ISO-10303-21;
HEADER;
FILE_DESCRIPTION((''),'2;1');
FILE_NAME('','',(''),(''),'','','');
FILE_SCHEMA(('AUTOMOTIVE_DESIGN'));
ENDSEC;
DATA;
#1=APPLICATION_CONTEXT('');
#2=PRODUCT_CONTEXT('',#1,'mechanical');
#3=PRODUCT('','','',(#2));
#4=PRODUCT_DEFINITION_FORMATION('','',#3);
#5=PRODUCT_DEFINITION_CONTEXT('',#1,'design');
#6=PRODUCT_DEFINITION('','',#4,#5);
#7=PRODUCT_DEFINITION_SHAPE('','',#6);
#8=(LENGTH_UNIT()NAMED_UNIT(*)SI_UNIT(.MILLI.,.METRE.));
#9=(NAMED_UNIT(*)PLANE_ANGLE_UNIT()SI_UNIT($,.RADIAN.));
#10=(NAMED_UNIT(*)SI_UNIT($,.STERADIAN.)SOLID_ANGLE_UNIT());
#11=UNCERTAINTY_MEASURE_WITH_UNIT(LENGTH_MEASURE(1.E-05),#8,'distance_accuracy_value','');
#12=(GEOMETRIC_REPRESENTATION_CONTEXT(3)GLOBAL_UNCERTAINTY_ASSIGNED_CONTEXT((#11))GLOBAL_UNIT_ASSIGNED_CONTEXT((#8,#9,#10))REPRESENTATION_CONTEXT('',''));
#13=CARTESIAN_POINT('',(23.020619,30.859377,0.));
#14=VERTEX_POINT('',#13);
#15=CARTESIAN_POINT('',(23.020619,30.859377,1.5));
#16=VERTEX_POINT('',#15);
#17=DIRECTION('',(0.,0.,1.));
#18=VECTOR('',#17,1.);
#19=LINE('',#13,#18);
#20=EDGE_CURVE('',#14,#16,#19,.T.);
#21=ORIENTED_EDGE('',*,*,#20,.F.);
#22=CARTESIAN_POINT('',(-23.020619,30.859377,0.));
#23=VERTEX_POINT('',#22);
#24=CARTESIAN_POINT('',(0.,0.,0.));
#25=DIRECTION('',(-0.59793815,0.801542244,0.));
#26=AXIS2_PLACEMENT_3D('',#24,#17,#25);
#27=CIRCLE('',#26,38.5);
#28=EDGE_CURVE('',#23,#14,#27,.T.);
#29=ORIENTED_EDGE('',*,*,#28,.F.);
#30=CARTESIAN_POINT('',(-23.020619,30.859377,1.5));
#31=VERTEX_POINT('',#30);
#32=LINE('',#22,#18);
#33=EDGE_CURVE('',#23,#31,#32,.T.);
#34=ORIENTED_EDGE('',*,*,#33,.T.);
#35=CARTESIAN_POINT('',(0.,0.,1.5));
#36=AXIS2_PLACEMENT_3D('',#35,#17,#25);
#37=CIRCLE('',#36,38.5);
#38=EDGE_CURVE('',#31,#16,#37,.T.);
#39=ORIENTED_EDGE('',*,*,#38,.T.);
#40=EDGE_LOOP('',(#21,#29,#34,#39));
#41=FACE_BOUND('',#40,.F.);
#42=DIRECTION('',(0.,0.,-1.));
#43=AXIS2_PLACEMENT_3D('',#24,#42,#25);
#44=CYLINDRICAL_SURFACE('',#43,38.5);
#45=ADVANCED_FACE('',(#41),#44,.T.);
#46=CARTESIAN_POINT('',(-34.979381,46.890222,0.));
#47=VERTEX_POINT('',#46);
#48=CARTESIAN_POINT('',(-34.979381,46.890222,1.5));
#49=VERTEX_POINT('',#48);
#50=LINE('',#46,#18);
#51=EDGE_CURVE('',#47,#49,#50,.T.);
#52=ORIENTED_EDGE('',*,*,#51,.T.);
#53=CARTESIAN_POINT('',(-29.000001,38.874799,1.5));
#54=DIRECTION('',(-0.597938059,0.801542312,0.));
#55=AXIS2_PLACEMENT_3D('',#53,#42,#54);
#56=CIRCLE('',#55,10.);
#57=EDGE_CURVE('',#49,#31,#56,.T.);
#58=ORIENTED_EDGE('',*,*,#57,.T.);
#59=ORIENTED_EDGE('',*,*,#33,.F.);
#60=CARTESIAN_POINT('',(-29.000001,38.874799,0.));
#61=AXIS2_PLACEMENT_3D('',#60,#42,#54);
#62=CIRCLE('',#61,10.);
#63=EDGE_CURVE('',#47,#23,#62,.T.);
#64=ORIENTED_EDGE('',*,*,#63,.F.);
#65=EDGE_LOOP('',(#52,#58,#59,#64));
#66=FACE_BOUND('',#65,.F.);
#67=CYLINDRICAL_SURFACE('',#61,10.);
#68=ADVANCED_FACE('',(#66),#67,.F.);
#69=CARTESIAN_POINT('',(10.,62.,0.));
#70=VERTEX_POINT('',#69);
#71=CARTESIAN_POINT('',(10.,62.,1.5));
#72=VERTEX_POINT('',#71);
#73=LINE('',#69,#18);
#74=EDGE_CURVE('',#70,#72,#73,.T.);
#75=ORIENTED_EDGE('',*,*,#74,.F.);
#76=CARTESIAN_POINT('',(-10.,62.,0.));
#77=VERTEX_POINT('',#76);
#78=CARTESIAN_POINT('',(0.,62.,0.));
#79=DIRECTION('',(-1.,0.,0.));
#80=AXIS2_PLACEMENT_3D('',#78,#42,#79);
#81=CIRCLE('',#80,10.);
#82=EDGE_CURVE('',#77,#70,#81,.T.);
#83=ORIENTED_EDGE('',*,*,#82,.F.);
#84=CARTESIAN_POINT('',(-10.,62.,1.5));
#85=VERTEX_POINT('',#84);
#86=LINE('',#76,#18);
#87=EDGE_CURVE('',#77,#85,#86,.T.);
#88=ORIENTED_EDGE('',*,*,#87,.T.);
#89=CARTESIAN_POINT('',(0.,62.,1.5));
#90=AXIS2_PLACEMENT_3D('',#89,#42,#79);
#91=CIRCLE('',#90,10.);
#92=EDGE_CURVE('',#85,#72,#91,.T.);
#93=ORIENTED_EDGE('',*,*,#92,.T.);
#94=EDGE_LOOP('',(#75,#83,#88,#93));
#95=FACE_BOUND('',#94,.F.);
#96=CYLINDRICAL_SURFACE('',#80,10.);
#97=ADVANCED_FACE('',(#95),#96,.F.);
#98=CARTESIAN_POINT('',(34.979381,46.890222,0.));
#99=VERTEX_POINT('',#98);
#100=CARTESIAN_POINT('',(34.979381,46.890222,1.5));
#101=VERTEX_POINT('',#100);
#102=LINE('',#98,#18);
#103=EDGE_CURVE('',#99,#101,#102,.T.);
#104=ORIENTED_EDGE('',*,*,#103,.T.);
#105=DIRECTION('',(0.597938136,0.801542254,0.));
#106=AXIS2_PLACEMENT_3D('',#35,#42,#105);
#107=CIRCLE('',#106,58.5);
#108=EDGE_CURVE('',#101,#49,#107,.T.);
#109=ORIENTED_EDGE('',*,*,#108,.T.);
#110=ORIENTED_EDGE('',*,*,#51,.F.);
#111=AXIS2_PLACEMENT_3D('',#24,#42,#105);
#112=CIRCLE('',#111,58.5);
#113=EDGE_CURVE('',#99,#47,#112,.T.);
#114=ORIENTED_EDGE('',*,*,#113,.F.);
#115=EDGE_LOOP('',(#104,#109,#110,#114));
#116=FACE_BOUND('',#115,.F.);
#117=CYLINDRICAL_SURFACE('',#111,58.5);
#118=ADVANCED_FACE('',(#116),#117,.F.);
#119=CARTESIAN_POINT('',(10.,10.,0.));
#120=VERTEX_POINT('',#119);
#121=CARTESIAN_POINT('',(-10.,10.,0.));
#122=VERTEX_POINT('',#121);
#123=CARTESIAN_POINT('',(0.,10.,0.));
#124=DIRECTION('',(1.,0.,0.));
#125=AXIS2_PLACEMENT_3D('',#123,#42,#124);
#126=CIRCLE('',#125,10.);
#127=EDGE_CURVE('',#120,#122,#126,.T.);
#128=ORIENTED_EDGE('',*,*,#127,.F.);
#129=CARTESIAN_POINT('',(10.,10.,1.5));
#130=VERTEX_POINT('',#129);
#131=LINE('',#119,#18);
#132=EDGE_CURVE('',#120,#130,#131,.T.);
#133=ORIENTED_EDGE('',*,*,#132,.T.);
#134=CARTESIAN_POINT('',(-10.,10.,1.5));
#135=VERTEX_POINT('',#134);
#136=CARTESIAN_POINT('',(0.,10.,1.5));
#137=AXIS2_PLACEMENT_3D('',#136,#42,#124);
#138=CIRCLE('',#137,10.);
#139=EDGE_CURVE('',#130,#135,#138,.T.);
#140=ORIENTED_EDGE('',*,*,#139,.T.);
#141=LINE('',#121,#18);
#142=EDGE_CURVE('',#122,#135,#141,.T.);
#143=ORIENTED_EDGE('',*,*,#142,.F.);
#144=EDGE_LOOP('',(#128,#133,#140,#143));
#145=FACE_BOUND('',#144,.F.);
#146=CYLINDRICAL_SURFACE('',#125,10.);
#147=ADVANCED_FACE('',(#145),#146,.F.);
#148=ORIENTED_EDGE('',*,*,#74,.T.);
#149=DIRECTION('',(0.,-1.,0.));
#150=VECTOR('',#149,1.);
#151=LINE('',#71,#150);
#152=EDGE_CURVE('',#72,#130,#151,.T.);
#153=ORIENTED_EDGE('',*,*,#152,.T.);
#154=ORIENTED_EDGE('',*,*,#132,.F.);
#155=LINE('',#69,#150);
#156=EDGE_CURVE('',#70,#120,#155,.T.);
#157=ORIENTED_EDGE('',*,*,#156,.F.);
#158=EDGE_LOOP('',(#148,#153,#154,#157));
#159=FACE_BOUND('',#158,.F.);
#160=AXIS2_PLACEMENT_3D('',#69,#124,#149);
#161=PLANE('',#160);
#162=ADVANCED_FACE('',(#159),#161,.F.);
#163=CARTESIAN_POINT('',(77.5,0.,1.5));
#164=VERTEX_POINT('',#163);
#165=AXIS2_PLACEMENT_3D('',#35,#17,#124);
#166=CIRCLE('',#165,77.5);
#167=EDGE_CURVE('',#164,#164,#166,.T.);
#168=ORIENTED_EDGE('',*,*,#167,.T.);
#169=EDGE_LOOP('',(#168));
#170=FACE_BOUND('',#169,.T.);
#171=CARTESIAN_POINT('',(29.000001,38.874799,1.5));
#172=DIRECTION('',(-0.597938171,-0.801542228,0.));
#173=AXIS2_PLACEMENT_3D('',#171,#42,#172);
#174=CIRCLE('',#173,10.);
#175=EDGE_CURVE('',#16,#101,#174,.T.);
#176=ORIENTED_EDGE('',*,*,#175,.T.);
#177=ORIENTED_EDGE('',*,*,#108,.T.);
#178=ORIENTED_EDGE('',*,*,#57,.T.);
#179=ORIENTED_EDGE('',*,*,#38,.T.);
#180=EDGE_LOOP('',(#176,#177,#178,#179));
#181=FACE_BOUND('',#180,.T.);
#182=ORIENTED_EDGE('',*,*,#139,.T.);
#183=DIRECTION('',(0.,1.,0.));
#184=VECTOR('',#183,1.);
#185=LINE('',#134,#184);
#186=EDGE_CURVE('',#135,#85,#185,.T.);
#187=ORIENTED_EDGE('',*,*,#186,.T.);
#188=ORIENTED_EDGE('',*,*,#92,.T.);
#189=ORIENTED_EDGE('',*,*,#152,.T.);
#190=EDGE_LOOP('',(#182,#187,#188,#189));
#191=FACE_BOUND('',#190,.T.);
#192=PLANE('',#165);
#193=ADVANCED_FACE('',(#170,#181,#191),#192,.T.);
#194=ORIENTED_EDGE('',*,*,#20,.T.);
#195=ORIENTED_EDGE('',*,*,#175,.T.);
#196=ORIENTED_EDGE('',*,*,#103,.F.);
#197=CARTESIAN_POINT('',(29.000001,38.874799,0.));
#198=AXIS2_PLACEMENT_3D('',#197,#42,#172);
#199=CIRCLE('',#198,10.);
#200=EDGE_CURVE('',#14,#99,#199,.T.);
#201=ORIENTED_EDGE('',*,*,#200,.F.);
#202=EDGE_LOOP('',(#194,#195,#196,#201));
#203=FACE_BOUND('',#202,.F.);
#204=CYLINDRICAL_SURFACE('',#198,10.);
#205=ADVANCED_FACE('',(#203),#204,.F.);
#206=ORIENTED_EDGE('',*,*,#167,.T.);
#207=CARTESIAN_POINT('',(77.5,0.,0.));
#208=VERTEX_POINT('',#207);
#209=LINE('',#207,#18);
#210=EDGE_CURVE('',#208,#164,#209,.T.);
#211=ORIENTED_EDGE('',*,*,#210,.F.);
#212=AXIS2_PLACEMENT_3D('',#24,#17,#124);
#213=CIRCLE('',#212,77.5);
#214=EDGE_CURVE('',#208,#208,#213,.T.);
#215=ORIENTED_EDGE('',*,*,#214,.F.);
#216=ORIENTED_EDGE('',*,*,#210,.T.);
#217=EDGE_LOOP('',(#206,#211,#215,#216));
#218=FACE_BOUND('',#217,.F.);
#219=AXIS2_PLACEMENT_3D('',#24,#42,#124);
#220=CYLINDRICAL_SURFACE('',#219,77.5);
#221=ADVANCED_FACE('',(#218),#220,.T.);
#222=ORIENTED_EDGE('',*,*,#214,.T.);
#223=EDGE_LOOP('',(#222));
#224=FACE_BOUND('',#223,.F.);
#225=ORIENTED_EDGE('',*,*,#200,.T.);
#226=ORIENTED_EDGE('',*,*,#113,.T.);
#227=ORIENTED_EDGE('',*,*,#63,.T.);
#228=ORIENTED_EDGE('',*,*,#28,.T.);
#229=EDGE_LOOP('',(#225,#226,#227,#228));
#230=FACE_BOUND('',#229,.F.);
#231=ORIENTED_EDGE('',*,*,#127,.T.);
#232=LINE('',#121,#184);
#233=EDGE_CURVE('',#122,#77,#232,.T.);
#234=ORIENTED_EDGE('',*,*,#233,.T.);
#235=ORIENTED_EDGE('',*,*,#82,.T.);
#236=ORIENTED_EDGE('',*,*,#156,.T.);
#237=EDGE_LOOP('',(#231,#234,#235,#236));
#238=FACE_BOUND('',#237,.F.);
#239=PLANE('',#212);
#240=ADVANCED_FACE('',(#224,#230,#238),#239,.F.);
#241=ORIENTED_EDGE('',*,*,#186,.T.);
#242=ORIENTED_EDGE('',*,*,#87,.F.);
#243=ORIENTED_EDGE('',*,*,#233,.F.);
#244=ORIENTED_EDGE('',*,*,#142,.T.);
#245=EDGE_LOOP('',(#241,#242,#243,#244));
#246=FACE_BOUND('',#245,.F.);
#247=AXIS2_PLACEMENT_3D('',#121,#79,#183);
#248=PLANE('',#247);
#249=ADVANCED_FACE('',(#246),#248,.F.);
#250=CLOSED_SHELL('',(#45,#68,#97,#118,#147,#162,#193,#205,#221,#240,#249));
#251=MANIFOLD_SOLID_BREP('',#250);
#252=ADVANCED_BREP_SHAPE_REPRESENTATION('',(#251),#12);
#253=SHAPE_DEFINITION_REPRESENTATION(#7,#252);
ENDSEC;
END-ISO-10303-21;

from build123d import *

# Parameters (mm, degrees)
F0_R     = 77.5
F1_DEPTH = 1.5


with BuildPart() as f1:
    # F0 (on Top) → F1 (new body)
    with BuildSketch(Plane.XY):
        Circle(F0_R)
        with BuildLine():
            ThreePointArc((34.979381, 46.890222), (0, -58.5), (-34.979381, 46.890222))
            ThreePointArc((-34.979381, 46.890222), (-20.984578, 44.85418), (-23.020619, 30.859377))
            ThreePointArc((-23.020619, 30.859377), (0, -38.5), (23.020619, 30.859377))
            ThreePointArc((23.020619, 30.859377), (20.984578, 44.85418), (34.979381, 46.890222))
        make_face(mode=Mode.SUBTRACT)
        with BuildLine():
            Line((10, 62), (10, 10))
            ThreePointArc((10, 10), (0, 0), (-10, 10))
            Line((-10, 10), (-10, 62))
            ThreePointArc((-10, 62), (0, 72), (10, 62))
        make_face(mode=Mode.SUBTRACT)
    extrude(amount=F1_DEPTH)


solid = f1.part
